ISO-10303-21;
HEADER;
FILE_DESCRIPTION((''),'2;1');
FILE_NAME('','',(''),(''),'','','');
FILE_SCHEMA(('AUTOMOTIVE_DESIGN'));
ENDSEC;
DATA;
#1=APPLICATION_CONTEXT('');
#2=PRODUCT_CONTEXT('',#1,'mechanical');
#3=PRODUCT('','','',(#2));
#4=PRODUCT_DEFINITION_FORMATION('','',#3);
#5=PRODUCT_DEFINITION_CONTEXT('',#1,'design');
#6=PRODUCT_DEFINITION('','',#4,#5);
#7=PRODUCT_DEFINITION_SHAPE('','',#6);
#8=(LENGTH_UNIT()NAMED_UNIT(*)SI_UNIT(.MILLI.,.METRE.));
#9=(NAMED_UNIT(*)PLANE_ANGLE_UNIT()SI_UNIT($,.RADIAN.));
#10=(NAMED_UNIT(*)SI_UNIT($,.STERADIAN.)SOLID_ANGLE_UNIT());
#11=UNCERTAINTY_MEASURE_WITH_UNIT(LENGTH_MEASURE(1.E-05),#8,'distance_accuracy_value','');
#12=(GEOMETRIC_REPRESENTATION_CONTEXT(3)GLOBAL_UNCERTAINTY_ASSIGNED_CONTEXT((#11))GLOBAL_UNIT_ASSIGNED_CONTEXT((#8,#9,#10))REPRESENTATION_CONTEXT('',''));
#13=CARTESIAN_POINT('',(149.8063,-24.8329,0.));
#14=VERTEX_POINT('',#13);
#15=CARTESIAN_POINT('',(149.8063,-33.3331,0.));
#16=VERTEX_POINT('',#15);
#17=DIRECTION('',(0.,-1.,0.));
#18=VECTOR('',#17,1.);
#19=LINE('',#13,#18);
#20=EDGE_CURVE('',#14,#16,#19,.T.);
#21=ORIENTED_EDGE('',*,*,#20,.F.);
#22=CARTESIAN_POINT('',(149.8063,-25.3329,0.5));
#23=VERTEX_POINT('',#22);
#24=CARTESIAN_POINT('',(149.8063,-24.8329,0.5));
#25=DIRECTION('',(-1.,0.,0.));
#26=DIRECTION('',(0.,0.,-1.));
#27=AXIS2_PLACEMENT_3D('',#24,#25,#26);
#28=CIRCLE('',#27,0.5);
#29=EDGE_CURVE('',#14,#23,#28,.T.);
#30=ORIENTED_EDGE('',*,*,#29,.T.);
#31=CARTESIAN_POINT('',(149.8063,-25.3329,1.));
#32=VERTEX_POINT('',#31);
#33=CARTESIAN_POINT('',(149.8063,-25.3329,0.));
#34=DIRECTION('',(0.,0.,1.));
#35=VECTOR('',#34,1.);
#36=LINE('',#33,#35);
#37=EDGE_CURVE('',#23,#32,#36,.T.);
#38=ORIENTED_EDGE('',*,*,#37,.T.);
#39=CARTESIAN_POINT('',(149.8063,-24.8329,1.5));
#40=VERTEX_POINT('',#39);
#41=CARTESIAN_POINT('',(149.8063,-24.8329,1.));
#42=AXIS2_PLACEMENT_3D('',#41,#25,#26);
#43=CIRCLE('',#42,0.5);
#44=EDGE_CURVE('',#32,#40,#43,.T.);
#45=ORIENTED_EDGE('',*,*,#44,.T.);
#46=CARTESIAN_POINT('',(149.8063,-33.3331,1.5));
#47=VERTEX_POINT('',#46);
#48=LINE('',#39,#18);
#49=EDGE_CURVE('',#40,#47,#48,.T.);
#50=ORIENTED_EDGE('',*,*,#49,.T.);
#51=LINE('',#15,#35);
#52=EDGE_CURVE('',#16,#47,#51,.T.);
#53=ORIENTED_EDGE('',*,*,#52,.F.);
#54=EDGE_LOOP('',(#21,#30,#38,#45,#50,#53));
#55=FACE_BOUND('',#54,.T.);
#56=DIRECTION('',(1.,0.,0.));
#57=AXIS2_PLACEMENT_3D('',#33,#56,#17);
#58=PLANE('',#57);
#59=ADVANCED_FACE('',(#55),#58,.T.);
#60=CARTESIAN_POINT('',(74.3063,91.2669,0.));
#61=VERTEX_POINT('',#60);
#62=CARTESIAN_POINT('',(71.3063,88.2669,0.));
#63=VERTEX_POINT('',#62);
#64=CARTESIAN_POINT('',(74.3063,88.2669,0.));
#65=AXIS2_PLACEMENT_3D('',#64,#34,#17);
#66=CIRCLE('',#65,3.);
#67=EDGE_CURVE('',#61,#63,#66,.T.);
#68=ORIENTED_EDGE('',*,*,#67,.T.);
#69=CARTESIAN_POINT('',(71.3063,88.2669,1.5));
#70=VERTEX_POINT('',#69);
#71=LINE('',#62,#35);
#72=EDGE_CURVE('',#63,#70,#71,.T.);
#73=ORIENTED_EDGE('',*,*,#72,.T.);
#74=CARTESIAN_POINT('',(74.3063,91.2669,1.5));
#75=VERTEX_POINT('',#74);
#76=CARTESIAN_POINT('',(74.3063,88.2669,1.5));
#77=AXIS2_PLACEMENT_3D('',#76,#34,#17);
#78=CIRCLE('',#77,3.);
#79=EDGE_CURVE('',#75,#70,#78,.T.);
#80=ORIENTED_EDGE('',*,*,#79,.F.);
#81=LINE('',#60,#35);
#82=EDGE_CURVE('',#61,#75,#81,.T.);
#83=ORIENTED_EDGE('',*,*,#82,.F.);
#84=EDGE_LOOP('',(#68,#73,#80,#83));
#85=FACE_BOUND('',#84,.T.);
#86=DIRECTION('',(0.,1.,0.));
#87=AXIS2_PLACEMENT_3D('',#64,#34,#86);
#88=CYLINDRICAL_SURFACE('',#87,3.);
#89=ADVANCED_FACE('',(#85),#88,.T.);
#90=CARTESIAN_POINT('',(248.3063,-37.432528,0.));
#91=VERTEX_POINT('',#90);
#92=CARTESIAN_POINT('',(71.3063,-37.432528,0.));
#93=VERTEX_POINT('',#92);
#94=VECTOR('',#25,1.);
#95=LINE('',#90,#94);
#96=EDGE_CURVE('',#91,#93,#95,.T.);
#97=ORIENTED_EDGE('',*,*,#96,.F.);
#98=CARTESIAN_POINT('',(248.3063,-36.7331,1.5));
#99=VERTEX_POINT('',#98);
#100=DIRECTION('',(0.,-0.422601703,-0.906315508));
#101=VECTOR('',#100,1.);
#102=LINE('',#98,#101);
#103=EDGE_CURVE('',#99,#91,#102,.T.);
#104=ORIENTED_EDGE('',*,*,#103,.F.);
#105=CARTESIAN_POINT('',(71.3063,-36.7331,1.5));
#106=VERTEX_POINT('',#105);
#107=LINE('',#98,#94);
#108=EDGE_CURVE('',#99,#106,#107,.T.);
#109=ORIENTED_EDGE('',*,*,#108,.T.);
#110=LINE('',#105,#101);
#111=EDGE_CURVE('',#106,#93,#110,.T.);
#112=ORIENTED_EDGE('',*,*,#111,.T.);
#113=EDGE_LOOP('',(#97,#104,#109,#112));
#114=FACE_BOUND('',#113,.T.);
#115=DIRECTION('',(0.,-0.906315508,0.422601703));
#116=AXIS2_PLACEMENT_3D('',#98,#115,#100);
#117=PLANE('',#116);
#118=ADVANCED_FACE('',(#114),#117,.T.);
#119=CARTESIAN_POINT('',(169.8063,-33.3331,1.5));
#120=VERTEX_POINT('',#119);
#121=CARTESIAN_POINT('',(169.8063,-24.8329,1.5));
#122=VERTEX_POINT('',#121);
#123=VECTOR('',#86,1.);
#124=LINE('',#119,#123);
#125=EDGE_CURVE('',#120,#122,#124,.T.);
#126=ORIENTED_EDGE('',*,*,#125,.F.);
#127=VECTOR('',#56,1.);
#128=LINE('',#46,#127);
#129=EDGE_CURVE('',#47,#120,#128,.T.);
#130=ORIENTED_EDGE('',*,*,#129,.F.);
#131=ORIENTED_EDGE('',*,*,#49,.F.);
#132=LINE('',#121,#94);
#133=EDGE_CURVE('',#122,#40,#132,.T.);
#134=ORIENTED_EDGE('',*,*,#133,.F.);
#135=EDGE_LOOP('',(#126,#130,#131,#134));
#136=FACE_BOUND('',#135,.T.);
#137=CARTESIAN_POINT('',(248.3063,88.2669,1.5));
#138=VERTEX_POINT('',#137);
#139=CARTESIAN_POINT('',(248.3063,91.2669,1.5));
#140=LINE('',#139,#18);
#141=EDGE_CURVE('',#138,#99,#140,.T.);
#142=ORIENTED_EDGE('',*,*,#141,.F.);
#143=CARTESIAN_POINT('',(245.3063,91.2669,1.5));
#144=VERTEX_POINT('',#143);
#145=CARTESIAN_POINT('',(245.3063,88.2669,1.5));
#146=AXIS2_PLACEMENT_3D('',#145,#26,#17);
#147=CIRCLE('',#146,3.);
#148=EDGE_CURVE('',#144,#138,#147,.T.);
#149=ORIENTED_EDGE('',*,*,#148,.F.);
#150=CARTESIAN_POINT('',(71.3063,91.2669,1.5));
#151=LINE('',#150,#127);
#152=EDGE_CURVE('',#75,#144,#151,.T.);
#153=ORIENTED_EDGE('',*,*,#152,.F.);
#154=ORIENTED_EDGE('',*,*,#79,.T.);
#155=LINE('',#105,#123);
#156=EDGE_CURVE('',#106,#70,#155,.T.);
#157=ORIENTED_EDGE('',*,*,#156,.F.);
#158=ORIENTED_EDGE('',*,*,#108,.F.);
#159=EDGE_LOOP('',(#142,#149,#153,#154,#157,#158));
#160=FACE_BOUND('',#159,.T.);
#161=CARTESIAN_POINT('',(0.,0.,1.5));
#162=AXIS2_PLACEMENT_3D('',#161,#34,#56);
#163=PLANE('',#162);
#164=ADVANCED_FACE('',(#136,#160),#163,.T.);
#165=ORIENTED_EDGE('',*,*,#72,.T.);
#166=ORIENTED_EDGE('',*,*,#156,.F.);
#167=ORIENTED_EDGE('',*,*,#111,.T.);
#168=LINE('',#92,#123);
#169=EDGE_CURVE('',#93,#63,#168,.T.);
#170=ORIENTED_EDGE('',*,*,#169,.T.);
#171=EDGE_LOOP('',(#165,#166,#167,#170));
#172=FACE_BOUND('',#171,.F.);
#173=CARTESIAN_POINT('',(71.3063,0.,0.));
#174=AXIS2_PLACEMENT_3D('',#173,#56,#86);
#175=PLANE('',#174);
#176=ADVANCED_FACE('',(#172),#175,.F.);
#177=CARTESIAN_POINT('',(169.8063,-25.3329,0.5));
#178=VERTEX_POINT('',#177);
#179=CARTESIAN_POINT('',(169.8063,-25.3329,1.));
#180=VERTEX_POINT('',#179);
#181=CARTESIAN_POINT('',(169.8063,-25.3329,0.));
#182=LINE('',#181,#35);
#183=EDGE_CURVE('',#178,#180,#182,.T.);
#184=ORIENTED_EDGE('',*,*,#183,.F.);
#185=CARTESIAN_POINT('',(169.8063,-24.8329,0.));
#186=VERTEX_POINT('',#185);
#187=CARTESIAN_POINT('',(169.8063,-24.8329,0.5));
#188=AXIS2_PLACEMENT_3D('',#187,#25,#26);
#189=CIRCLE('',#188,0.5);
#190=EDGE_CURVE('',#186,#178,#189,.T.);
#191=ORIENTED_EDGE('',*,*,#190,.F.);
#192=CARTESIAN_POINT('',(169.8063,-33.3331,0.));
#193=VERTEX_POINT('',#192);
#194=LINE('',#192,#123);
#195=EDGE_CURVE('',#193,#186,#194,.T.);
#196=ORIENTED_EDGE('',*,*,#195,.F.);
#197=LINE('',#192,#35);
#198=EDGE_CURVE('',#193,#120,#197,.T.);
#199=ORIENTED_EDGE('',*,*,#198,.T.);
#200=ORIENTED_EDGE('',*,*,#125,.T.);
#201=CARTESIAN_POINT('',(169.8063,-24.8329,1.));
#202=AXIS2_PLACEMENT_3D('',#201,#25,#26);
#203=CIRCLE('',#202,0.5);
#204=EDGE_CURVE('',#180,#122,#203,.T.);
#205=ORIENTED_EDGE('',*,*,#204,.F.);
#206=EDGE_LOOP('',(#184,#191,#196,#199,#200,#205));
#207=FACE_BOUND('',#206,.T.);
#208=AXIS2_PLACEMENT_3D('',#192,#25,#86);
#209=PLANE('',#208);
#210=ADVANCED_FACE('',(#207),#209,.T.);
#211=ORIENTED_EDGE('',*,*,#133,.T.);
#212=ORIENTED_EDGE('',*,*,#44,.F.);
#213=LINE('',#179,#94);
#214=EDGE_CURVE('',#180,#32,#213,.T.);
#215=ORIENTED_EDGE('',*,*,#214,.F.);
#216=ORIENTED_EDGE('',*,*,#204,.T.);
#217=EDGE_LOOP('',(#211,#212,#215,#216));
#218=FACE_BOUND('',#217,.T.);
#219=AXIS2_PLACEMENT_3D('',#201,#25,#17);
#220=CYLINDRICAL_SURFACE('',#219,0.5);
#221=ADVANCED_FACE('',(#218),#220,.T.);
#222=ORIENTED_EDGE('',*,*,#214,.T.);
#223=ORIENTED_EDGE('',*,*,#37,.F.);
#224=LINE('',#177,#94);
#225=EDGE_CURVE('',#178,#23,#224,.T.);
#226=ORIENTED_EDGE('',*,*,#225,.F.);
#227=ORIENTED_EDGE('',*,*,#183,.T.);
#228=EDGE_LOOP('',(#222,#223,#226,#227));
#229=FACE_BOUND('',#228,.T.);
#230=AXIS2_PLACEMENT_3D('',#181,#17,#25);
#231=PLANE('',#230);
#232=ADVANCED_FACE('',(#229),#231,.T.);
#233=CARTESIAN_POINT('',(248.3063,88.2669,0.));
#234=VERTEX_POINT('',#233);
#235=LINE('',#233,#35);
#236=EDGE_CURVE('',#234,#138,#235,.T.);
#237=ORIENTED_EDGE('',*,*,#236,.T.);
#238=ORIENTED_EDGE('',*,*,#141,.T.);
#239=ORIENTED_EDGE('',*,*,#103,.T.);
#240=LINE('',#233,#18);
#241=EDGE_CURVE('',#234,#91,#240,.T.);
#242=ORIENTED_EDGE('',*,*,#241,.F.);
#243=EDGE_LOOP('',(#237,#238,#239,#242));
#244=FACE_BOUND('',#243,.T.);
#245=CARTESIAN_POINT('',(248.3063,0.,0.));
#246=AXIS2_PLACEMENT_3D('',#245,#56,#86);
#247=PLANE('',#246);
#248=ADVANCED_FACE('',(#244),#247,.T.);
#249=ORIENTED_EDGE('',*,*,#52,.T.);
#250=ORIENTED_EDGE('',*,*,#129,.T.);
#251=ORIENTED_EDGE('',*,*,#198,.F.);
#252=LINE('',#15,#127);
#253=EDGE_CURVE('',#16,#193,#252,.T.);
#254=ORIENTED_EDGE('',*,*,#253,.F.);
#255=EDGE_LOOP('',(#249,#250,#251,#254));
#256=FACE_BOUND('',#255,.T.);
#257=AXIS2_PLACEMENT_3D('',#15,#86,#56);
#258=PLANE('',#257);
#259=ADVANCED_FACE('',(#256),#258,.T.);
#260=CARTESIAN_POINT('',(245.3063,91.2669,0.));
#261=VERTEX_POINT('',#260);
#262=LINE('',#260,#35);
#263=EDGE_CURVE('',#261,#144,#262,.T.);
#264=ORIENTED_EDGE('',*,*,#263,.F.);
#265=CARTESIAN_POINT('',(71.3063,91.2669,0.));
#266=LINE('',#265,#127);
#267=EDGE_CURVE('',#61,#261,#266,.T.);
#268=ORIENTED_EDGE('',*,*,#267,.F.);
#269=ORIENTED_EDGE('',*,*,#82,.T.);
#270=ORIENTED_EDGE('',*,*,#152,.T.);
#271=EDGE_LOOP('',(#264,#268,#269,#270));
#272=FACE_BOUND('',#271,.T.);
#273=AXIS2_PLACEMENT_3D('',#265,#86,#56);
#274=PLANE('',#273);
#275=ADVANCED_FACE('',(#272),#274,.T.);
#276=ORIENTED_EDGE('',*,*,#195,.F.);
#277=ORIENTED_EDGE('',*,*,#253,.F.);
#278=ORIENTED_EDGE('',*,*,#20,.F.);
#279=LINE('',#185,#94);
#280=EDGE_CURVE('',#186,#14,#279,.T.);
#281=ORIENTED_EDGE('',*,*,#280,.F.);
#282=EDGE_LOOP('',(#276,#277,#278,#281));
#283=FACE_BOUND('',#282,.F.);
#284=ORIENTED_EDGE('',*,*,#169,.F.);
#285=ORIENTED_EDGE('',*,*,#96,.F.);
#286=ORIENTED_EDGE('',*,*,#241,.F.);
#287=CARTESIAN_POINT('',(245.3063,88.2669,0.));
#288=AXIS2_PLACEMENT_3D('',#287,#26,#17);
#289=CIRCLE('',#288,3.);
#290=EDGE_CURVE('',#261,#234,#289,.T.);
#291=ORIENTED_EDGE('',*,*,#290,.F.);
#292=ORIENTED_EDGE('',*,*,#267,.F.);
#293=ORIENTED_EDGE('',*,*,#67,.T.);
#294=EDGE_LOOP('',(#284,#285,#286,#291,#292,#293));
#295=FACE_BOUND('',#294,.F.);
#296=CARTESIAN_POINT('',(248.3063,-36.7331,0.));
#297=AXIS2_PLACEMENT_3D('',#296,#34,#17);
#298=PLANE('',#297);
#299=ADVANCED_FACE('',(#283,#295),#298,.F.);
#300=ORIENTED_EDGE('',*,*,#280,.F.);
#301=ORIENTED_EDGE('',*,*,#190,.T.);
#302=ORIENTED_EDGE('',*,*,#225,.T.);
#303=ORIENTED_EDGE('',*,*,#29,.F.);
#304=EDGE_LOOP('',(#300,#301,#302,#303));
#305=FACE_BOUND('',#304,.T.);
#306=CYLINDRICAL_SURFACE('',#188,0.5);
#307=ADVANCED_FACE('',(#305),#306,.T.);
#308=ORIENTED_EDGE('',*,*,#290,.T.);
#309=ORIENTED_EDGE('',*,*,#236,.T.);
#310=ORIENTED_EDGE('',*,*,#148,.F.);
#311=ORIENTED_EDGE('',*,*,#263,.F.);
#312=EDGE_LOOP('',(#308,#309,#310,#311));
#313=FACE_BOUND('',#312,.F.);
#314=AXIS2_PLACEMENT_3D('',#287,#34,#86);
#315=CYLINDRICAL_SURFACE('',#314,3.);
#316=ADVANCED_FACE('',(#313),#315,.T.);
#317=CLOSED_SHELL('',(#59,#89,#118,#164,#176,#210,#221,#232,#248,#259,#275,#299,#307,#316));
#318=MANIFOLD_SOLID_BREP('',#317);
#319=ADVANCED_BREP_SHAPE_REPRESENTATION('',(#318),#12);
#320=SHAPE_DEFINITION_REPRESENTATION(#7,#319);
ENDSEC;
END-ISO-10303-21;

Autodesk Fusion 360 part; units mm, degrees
sketch "Sketch1" plane through (0, 0, 0) normal (0, 0, 1) x (1, 0, 0)
  line L0 (244.9063, 87.8669) -> (244.9063, -23.3331)
  line L1 (78.2063, -13.5431) -> (78.2063, 84.3769)
  line L2 (241.4063, 84.3769) -> (241.4063, -13.5431)
  line L3 (244.9063, -23.3331) -> (74.7063, -23.3331)
  line L4 (71.3063, 91.2669) -> (248.3063, 91.2669)
  line L5 (244.9063, 87.8669) -> (244.9063, -33.3331)
  line L6 (74.7063, -23.3331) -> (74.7063, 87.8669)
  line L7 (169.8063, -23.3331) -> (149.8063, -23.3331)
  line L8 (169.8063, -33.3331) -> (169.8063, -23.3331)
  line L9 (149.8063, -33.3331) -> (169.8063, -33.3331)
  line L10 (149.8063, -23.3331) -> (149.8063, -33.3331)
  line L11 (74.7063, -33.3331) -> (74.7063, 87.8669)
  line L12 (74.3063, 88.2669) -> (245.3063, 88.2669)
  line L13 (245.3063, 88.2669) -> (245.3063, -23.7331)
  line L14 (74.7063, 87.8669) -> (244.9063, 87.8669)
  line L15 (78.2063, 84.3769) -> (241.4063, 84.3769)
  line L16 (74.7063, 87.8669) -> (244.9063, 87.8669)
  line L17 (74.3063, -23.7331) -> (74.3063, 88.2669)
  line L18 (241.4063, -13.5431) -> (78.2063, -13.5431)
  line L19 (245.3063, -23.7331) -> (74.3063, -23.7331)
  line L20 (248.3063, 91.2669) -> (248.3063, -36.7331)
  line L21 (248.3063, -36.7331) -> (71.3063, -36.7331)
  line L22 (71.3063, -36.7331) -> (71.3063, 91.2669)
  line L23 (244.9063, -33.3331) -> (74.7063, -33.3331)
  line L24 (149.8063, -23.3331) -> (169.8063, -23.3331)
  line L25 (169.8063, -23.3331) -> (169.8063, -25.3329)
  line L26 (169.8063, -25.3329) -> (149.8063, -25.3329)
  line L27 (149.8063, -25.3329) -> (149.8063, -23.3331)
  dimension "d1" = -3.4
  dimension "d2" = -0.4
  dimension "d3" = 97.92
  dimension "d4" = 163.2
  dimension "d5" = 170.2
  dimension "d6" = 3.5
  dimension "d7" = 111.2
  dimension "d8" = 3.49
  dimension "d9" = 10
  dimension "d10" = 20
  dimension "d11" = 75.1
  dimension "d12" = 75.1
extrude "Extrude1" add sketch "Sketch1" along normal blind 1.5 contours L0 L5 L6 L11 L12 L13 L14 L16 L17 L19 | L0 L3 L5 L6 L7 L11 L14 L16 L24 | L3 L5 L8 L19 L25 | L3 L7 L8 L10 L19 L24 L25 L27 | L5 L8 L19 L23 L25 | L3 L10 L11 L19 L27 | L8 L10 L19 L25 L26 L27 | L10 L11 L19 L23 L27 | L1 L2 L15 L18 | L4 L20 L21 L22
fillet "Fillet1" radius 3 2 edges at (248.3063, 91.2669, 0.75) (71.3063, 91.2669, 0.75)
fillet "Fillet2" radius 0.5 2 edges at (159.8063, -25.3329, 0) (159.8063, -25.3329, 1.5)
sketch "Sketch2" plane through (248.3063, 0, 0) normal (1, 0, 0) x (0, 1, 0)
  line L0 (88.2669, 0) -> (88.2669, 1.5)
  line L1 (88.2669, 1.5) -> (-36.7331, 1.5)
  line L2 (-36.7331, 1.5) -> (-36.7331, 0)
  line L3 (-36.7331, 0) -> (88.2669, 0)
  line L4 (-36.7331, 1.5) -> (-37.9806, -1.1754)
  line L5 (-36.7331, 1.5) -> (-33.7811, 1.5) construction
  line L6 (-36.7331, 0) -> (-38.6066, 0)
  dimension "d19" = 115
extrude "Extrude2" add sketch "Sketch2" against normal up to surface (177 mm away) contours L2 L4 L6
